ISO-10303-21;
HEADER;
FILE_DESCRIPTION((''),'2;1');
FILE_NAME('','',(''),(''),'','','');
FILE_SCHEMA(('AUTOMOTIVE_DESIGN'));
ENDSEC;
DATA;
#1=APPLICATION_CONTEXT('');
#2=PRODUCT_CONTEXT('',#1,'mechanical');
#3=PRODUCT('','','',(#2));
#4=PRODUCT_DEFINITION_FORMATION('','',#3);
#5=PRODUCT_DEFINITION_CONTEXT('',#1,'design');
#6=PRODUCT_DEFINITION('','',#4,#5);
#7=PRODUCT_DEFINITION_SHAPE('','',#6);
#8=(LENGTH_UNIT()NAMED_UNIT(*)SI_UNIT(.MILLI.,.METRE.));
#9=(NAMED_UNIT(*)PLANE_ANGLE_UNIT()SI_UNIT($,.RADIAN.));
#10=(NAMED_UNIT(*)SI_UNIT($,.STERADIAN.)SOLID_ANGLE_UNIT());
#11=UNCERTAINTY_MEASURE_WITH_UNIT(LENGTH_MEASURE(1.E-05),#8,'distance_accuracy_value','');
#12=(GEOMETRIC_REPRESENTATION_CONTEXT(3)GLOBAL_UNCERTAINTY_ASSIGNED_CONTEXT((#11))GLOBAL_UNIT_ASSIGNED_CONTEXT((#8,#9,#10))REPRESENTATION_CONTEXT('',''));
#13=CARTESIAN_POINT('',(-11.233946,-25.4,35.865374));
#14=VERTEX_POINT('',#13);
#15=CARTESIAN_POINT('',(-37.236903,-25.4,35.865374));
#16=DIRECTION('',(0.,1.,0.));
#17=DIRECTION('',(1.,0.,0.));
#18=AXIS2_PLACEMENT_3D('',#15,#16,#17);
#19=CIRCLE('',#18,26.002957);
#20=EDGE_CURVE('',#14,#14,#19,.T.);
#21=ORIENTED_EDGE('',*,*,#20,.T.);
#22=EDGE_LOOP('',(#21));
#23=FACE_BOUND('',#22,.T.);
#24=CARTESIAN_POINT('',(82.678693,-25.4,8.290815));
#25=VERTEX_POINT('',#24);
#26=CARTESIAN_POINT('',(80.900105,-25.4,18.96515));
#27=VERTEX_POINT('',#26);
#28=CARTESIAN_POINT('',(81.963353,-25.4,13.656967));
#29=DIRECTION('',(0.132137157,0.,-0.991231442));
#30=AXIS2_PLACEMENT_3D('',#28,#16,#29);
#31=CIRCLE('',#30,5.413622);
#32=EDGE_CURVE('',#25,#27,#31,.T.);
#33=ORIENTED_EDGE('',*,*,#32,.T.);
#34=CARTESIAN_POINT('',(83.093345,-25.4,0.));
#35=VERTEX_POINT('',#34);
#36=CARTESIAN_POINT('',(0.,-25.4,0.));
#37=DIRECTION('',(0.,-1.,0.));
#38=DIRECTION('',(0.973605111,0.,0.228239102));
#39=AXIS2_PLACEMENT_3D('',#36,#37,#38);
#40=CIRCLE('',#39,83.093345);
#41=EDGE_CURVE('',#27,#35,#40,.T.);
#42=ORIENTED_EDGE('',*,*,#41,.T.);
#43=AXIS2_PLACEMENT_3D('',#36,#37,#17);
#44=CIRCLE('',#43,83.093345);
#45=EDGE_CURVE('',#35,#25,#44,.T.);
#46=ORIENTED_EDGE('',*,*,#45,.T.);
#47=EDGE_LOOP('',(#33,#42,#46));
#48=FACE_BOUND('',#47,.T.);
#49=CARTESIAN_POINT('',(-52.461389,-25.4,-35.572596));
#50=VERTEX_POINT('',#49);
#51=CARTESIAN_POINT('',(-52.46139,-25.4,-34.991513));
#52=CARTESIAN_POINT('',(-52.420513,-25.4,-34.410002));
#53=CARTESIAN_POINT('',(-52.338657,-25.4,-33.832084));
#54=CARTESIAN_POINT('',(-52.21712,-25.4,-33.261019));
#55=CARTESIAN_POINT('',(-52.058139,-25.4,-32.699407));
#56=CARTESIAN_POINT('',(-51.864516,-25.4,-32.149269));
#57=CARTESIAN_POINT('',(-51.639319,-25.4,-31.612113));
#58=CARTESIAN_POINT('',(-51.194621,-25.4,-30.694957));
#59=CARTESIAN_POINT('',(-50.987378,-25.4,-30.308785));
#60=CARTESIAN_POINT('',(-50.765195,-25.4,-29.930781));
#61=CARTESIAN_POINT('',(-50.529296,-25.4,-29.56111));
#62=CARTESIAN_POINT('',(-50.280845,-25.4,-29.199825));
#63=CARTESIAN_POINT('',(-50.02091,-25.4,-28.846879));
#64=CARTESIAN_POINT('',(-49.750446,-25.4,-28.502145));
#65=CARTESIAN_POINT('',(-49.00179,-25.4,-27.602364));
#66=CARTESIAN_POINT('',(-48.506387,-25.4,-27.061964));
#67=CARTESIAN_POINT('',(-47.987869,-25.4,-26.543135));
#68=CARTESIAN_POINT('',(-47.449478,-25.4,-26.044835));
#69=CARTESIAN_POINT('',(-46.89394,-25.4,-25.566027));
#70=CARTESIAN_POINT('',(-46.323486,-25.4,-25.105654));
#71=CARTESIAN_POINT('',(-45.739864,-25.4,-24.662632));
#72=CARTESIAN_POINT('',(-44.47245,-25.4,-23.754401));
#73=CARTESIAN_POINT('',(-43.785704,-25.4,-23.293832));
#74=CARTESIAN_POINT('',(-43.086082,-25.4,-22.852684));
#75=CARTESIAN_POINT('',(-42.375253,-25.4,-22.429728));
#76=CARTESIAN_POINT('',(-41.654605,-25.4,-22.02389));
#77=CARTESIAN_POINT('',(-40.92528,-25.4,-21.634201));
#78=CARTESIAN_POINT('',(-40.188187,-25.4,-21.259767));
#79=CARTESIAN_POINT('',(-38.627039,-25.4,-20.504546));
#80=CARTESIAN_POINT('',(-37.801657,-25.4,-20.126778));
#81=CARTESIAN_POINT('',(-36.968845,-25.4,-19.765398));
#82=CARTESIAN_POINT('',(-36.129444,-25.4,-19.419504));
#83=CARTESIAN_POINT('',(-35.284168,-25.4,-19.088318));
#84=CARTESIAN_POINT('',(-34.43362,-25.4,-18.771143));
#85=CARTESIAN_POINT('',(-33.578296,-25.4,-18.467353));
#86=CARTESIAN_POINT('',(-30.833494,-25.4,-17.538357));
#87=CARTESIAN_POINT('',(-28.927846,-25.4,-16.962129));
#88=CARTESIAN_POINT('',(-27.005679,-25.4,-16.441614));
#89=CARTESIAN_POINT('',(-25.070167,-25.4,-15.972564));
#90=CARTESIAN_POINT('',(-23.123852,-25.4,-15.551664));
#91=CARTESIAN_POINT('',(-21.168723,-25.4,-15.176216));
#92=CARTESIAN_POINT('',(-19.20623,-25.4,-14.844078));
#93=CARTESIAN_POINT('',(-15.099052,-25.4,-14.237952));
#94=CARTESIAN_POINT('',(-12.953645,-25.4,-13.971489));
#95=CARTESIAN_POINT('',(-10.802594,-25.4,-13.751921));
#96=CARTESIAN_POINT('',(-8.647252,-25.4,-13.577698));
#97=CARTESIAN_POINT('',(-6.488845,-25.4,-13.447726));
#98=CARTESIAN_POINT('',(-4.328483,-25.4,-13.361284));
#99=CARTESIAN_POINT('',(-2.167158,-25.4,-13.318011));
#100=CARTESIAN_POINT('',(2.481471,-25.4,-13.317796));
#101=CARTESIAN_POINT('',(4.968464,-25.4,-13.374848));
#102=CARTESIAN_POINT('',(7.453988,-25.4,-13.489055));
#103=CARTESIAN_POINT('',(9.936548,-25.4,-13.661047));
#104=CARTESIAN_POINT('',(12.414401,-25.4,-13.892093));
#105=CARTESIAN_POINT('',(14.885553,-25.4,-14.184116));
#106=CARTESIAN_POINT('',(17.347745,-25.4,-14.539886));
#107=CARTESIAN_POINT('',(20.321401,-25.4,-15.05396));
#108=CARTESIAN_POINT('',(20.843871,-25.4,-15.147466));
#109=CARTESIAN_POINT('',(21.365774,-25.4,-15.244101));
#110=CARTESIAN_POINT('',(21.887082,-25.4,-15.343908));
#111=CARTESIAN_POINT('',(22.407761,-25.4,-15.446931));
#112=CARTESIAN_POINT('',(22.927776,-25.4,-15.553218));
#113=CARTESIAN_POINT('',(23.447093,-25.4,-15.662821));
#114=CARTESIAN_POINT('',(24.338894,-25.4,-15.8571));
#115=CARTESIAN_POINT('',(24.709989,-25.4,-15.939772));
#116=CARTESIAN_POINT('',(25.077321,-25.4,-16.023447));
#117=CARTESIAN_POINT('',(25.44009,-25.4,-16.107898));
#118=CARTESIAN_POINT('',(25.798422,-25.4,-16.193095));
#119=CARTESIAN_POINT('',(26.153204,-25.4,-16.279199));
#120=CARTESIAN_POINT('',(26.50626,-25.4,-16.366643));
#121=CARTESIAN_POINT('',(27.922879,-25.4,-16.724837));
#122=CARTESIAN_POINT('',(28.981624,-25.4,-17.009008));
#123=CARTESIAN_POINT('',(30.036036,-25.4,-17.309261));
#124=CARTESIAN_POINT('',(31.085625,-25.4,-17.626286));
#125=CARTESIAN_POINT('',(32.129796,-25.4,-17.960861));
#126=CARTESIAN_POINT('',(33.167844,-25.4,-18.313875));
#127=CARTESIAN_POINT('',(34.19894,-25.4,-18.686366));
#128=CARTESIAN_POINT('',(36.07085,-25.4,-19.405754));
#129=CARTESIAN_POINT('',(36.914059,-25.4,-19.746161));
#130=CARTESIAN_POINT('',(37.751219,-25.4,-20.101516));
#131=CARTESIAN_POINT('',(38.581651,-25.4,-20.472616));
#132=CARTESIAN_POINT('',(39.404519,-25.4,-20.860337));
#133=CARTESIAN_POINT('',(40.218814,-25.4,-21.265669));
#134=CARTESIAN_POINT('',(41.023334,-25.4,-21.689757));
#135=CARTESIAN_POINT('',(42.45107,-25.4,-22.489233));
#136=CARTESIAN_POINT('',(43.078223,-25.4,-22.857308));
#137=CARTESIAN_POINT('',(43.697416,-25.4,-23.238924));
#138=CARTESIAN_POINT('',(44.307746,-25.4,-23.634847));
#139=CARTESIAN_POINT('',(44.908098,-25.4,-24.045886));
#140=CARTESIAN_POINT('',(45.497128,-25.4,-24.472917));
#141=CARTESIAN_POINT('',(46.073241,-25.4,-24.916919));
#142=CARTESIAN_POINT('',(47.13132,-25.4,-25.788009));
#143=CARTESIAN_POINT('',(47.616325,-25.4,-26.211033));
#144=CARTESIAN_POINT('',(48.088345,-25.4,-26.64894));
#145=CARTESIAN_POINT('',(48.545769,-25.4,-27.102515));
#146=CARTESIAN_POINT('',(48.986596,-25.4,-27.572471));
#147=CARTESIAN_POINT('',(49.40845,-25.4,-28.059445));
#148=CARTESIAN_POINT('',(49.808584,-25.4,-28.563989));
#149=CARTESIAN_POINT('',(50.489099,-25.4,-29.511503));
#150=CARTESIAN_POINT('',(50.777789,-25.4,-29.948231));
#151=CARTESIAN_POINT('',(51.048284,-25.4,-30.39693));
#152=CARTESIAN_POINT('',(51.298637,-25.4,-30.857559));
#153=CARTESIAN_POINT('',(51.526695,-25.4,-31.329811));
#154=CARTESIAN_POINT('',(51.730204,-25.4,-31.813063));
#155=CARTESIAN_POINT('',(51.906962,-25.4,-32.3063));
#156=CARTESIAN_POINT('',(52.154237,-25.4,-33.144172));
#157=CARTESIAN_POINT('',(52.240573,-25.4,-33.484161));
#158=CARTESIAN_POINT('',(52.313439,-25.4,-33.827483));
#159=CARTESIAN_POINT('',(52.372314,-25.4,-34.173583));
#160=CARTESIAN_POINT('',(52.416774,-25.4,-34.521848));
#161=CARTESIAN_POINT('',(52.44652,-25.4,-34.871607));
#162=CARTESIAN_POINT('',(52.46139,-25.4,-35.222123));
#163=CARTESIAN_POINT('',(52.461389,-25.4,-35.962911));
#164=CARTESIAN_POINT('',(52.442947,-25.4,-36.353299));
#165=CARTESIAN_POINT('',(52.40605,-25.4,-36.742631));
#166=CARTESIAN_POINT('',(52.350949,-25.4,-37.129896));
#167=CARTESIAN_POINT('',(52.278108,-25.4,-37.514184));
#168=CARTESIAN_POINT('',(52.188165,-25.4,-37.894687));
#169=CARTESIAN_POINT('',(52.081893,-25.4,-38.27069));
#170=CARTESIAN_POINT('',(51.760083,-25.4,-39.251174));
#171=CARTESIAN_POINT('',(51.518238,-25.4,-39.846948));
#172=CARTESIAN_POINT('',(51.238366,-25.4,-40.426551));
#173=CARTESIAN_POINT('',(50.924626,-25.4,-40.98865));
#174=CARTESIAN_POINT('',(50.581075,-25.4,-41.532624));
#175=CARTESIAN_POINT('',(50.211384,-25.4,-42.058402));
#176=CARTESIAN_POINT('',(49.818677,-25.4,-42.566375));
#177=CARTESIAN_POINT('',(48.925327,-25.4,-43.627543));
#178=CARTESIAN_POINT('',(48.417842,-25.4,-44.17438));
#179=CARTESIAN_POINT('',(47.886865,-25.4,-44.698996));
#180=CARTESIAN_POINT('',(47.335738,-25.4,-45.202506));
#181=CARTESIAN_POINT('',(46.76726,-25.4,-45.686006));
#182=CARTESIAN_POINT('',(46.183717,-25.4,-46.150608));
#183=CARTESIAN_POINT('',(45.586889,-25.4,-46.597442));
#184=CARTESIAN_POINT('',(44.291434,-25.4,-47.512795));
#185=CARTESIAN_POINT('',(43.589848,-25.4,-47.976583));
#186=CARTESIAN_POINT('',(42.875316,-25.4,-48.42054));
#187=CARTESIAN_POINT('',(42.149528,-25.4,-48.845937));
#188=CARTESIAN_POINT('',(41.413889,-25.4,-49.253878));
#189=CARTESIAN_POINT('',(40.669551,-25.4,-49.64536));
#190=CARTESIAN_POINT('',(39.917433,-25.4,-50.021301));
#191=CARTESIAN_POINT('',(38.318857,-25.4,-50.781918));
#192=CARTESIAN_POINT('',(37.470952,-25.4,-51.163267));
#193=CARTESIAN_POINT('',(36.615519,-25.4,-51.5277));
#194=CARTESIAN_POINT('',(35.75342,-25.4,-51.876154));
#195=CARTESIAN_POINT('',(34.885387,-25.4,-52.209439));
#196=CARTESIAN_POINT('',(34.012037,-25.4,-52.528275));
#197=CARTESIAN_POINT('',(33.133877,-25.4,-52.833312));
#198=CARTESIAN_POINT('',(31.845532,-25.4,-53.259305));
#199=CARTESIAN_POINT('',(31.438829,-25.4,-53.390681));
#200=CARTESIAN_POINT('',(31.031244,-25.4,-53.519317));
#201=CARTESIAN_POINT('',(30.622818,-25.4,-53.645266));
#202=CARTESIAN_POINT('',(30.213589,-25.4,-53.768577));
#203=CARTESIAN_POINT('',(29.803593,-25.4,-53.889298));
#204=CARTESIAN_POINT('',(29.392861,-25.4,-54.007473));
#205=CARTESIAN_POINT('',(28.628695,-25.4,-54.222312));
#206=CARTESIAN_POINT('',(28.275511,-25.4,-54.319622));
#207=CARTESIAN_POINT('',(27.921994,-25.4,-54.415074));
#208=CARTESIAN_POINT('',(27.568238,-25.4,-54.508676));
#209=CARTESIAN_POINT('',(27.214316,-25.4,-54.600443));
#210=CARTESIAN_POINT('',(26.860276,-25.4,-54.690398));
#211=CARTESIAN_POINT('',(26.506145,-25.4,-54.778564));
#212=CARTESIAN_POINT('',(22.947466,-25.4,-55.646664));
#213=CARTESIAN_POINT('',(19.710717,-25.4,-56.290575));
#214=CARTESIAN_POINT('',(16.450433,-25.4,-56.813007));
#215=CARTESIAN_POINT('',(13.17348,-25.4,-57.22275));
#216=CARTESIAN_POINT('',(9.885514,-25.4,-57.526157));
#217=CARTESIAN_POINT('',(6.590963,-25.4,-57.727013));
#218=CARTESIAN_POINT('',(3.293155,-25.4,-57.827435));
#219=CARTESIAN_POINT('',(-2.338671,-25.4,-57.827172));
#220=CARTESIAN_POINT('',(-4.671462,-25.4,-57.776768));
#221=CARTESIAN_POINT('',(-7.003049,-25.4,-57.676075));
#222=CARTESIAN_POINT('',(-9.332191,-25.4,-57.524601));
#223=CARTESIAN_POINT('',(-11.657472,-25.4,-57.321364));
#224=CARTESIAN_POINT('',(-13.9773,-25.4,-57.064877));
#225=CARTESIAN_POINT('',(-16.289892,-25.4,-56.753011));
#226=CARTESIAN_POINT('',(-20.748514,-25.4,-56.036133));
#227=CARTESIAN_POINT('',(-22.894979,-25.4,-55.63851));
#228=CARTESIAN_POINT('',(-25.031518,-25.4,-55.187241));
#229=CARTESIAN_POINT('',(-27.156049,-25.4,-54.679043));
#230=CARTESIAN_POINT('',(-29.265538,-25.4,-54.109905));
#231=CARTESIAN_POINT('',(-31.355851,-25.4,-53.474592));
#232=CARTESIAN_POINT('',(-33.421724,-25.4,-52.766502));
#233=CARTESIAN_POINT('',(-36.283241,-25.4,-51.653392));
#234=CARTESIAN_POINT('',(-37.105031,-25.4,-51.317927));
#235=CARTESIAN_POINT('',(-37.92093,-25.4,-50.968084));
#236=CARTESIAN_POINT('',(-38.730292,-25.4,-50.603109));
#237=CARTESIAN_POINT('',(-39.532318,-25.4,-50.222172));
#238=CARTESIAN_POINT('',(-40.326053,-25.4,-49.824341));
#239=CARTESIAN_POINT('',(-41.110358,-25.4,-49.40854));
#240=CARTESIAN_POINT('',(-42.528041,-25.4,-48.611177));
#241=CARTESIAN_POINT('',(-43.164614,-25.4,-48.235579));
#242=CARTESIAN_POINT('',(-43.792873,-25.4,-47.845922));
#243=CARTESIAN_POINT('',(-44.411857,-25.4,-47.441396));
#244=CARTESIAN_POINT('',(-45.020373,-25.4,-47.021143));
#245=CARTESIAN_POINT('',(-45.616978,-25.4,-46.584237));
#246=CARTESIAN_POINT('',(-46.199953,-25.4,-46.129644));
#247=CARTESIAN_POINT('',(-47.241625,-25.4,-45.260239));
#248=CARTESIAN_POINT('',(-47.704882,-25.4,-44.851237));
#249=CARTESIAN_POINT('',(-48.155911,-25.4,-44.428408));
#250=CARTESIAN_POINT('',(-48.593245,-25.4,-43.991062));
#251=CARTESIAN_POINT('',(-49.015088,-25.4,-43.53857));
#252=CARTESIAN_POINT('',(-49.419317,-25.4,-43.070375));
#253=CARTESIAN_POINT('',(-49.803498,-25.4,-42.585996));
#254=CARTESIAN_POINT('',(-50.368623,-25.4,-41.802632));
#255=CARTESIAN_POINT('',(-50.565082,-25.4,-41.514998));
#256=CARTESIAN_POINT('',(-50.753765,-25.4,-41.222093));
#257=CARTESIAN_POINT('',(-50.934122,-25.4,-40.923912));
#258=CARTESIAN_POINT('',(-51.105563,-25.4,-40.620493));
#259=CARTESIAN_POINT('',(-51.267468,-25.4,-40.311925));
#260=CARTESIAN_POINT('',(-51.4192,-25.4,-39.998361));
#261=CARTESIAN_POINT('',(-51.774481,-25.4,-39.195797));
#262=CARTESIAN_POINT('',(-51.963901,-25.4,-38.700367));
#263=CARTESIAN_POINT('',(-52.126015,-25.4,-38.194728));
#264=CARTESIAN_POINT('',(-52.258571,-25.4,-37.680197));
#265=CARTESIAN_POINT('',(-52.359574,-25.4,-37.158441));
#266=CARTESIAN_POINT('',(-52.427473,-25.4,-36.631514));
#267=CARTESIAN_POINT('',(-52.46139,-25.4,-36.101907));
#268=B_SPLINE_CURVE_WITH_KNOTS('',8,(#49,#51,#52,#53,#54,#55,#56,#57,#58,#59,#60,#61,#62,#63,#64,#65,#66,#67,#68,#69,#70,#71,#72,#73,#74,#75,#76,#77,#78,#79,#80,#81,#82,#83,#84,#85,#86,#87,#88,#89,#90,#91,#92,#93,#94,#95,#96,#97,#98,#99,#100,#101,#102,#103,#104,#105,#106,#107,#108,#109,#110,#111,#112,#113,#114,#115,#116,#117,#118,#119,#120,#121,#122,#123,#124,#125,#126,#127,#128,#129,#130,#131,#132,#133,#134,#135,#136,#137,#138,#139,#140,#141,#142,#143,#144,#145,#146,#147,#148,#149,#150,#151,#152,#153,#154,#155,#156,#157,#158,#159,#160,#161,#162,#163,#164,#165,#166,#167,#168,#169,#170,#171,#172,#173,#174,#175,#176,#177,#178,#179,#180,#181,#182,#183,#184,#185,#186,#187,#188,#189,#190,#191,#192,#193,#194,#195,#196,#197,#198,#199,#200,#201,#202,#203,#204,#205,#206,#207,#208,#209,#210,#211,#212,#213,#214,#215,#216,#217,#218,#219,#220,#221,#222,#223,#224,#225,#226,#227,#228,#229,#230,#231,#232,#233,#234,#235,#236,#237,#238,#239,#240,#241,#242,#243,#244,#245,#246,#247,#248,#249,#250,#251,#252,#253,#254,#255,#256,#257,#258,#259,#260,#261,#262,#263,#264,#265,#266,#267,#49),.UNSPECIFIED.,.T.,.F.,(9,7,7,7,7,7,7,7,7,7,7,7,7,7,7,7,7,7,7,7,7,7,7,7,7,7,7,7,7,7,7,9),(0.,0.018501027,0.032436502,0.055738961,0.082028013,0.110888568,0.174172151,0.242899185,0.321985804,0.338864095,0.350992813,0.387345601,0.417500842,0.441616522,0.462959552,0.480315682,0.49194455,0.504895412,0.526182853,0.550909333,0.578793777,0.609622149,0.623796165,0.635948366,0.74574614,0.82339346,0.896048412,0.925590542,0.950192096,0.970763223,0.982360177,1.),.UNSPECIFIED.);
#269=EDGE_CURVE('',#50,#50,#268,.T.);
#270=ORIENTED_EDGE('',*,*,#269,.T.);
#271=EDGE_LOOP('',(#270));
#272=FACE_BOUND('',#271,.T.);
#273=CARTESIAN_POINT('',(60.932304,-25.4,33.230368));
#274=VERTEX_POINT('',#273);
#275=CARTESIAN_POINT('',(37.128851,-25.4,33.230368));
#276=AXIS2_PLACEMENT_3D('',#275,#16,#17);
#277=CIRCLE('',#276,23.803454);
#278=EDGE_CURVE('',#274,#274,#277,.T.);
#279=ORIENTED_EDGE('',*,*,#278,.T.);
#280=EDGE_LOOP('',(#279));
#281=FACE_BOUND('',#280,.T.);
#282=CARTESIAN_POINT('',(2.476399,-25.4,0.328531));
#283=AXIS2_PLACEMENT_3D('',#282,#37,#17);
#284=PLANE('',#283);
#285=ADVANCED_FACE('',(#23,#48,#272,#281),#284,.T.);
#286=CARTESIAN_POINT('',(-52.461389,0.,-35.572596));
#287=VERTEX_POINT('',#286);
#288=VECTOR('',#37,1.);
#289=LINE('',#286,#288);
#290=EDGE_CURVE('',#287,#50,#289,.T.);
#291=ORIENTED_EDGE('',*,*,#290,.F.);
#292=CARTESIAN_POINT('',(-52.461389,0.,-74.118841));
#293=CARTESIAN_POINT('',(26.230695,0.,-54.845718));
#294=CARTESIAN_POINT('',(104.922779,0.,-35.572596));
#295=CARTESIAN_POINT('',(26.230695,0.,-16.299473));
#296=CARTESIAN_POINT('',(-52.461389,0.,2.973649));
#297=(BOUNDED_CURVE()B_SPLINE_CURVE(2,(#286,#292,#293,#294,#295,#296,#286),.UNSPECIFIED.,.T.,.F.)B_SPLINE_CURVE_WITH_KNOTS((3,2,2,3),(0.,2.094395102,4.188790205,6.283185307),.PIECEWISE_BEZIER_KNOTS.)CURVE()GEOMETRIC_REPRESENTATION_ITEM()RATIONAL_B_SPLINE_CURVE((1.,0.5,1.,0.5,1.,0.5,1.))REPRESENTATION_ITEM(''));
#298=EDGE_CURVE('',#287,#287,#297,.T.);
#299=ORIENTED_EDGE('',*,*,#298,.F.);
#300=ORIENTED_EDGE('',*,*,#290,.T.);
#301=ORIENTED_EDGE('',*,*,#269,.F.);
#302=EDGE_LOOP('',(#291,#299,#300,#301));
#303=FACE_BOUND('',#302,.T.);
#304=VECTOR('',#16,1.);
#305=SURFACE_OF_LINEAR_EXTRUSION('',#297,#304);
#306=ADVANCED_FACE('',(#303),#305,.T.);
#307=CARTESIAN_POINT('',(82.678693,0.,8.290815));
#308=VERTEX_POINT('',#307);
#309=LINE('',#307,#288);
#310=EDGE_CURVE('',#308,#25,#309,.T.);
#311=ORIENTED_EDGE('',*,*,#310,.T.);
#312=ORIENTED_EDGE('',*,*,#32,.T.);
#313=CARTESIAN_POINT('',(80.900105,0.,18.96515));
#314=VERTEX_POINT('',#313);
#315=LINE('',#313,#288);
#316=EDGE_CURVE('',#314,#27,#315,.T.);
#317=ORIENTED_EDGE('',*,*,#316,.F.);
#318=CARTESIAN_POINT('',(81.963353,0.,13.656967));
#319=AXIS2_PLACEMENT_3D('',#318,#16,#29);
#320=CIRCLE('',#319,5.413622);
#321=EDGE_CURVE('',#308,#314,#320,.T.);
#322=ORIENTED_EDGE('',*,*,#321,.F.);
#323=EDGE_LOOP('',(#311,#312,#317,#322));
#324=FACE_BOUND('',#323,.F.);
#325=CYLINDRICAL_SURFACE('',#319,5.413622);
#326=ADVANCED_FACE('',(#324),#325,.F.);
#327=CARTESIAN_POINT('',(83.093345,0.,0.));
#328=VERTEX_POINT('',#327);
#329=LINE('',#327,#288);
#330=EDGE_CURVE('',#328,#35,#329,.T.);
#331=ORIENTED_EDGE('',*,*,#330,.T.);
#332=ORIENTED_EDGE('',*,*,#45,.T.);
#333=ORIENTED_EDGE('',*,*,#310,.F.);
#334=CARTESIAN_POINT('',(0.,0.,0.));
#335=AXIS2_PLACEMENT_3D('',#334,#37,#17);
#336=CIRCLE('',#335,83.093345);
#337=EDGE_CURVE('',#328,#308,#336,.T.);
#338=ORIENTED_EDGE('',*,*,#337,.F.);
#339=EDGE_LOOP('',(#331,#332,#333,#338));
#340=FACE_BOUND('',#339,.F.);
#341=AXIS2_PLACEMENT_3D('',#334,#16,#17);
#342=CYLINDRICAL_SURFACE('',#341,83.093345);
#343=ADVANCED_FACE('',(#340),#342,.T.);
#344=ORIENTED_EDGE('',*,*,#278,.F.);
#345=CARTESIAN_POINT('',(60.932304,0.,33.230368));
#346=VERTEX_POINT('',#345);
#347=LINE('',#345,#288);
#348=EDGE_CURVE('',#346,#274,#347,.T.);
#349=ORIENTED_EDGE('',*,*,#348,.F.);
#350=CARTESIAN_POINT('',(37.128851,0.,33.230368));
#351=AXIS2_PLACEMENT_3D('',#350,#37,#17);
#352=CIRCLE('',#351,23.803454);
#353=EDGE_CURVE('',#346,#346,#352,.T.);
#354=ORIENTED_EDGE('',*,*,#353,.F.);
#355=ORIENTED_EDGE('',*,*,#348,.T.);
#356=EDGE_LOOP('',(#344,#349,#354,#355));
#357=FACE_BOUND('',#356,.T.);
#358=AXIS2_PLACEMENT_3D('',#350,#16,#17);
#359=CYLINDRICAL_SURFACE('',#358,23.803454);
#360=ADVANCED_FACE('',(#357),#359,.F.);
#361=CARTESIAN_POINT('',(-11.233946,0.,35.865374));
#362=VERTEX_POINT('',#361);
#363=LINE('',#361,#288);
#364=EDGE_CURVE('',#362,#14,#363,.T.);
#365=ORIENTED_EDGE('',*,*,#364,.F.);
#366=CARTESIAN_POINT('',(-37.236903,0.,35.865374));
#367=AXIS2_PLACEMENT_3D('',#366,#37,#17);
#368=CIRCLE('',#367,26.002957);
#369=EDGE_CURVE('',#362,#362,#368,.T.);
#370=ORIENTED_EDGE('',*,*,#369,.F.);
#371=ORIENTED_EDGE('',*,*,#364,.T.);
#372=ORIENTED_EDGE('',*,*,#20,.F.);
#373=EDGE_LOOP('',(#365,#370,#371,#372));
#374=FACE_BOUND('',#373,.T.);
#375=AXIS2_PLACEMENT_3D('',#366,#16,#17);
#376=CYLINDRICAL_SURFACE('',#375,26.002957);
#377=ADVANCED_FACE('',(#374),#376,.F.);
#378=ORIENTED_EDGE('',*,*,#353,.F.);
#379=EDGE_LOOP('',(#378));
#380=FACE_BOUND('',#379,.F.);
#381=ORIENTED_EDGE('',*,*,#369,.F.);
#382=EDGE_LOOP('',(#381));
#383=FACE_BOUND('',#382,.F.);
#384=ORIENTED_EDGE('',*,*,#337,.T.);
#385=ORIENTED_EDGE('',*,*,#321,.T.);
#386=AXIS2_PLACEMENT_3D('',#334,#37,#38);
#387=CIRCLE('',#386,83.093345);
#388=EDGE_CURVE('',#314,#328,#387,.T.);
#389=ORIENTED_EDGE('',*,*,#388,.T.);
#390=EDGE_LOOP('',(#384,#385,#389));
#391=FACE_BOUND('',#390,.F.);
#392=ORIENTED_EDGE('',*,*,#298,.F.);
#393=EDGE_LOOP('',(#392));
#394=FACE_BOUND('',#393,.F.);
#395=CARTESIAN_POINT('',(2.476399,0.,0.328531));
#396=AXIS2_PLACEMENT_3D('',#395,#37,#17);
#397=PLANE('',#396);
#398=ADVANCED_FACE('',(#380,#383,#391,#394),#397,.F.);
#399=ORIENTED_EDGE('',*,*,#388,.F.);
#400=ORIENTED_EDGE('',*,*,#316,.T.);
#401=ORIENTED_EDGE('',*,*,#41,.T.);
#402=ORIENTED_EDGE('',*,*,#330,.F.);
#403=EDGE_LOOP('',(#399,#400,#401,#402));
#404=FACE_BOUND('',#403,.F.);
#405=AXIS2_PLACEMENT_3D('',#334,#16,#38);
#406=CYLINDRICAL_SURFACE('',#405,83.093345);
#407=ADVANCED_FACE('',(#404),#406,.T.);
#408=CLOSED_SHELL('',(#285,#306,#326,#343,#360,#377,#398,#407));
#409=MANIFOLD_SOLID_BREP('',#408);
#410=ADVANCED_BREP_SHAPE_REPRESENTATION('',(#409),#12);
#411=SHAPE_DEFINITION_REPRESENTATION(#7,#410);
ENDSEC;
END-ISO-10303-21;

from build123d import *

# Parameters (mm, degrees)
F2_DEPTH = 25.4
F1_R     = 23.8034536531
F1_R_2   = 26.0029572039
F3_DEPTH = 51.562


with BuildPart() as f2:
    # F0 (on Front) → F2 (new body)
    with BuildSketch(Plane.XZ):
        with BuildLine():
            ThreePointArc((80.9001052948, 18.9651504489), (-82.5432138965, -9.5457743473), (83.0933449096, 0))
            ThreePointArc((83.0933449096, 0), (82.9896173096, 4.150588761), (82.6786934815, 8.2908149446))
            ThreePointArc((82.6786934815, 8.2908149446), (76.6233510402, 12.7672010059), (80.9001052948, 18.9651504489))
        make_face()
    extrude(amount=F2_DEPTH)

    # F1 (on Front) → F3 (cut)
    with BuildSketch(Plane.XZ):
        with Locations((37.1288508177, 33.230368048)):
            Circle(F1_R)
        with Locations((-37.2369028628, 35.8653739095)):
            Circle(F1_R_2)
        with BuildLine():
            add(Edge.make_bspline(
                [(-52.4613894522, -35.5725958943), (-52.4613894522, -74.1188410816), (26.2306947261, -54.8457184879), (104.9227789044, -35.5725958943), (26.2306947261, -16.2994733007), (-52.4613894522, 2.9736492929), (-52.4613894522, -35.5725958943)],
                knots=[0, 0, 0, 2.0943951024, 2.0943951024, 4.1887902048, 4.1887902048, 6.2831853072, 6.2831853072, 6.2831853072], degree=2, weights=[1, 0.5, 1, 0.5, 1, 0.5, 1]))
        make_face()
    extrude(amount=F3_DEPTH, mode=Mode.SUBTRACT)


solid = f2.part
